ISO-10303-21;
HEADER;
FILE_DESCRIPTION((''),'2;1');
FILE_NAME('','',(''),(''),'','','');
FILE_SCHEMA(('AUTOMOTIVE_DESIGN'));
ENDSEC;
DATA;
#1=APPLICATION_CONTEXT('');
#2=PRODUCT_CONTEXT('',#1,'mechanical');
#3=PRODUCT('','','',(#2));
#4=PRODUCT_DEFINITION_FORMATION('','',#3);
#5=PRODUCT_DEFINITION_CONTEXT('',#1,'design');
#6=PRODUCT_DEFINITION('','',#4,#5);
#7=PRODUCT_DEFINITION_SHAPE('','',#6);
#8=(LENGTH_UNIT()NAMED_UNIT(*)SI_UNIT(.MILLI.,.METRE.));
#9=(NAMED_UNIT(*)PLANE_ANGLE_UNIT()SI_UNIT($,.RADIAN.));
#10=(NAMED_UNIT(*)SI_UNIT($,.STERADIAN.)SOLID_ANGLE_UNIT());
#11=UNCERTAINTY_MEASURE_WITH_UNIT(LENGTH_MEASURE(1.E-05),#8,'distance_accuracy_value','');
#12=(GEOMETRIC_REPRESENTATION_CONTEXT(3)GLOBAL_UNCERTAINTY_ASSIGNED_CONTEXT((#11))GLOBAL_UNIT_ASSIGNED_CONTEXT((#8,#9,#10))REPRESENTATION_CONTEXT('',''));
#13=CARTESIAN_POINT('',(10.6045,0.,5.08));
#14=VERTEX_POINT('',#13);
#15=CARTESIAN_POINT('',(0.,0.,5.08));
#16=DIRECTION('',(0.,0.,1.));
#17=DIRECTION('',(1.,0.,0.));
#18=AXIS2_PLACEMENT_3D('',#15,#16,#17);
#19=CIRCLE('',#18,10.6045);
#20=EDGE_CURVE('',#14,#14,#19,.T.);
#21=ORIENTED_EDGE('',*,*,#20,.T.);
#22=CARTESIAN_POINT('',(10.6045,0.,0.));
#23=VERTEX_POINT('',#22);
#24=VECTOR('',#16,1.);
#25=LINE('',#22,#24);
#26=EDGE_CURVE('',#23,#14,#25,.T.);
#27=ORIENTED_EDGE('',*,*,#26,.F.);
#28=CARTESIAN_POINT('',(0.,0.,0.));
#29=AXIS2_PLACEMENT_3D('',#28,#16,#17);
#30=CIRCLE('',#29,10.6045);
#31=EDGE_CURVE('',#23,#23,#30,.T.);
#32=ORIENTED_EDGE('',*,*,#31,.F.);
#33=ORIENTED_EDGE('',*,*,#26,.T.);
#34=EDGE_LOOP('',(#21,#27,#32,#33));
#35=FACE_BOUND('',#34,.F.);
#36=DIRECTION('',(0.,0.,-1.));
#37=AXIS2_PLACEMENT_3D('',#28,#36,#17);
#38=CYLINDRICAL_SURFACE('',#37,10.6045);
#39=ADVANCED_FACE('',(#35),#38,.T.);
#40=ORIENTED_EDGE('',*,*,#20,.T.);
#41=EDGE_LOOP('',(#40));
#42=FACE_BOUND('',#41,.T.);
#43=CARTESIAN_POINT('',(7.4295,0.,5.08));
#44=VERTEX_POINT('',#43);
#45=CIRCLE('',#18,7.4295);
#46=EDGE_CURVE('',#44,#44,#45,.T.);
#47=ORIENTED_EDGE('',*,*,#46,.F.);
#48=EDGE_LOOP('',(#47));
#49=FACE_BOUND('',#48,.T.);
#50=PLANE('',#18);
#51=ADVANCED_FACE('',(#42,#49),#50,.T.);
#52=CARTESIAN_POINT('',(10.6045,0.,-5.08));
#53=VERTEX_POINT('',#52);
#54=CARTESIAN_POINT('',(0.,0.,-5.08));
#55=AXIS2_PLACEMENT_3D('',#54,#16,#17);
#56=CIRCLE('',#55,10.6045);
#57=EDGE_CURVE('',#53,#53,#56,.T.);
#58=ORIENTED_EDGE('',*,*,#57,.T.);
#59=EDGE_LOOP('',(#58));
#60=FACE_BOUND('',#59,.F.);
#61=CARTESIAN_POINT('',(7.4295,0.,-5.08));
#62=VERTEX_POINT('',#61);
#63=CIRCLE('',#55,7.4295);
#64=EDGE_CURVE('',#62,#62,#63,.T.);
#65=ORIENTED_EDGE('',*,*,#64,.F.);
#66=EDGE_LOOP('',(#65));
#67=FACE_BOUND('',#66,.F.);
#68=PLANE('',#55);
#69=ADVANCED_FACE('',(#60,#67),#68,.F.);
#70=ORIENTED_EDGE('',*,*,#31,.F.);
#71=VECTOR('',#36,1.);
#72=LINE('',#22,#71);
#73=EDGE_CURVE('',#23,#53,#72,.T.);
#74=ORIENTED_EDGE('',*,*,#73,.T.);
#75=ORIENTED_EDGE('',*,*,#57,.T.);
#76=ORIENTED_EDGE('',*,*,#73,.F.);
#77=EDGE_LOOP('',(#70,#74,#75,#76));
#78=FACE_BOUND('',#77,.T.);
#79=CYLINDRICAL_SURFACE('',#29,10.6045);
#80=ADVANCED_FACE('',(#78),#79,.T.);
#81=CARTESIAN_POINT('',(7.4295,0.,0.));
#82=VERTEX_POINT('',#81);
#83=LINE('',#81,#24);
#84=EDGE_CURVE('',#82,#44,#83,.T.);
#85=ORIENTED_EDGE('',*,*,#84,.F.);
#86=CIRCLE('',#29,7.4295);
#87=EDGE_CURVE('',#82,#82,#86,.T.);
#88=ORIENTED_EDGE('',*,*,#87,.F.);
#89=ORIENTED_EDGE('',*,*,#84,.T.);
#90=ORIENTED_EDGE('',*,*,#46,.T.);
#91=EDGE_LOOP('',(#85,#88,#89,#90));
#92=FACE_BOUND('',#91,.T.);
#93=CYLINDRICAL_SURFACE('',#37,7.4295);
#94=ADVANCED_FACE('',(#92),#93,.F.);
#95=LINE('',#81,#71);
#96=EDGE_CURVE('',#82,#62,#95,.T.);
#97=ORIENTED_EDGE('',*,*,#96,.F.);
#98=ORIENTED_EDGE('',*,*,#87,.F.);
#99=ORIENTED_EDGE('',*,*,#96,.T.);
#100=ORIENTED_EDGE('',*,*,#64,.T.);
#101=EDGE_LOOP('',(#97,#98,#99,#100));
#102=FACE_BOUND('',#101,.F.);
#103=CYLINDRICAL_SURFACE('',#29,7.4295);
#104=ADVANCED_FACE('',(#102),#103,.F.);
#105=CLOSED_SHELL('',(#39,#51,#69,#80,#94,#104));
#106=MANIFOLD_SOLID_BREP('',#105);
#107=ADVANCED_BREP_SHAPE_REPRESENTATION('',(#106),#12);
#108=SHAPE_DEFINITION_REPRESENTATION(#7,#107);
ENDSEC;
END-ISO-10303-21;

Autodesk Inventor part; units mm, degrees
ref_plane "YZ Plane" through (0, 0, 0) normal (1, 0, 0) x (0, 1, 0)
ref_plane "XZ Plane" through (0, 0, 0) normal (0, 1, 0) x (-1, 0, 0)
ref_plane "XY Plane" through (0, 0, 0) normal (0, 0, 1) x (1, 0, 0)
sketch "Sketch1" plane through (0, 0, 0) normal (0, 0, 1) x (1, 0, 0)
  circle A0 centre (0, 0) radius 7.4295
  circle A1 centre (0, 0) radius 10.6045
  dimension "d0" = 14.859
  dimension "d1" = 3.175
extrude "Extrusion1" add sketch "Sketch1" along normal mid plane 10.16
properties part number "GP5-021" material "ABS Plastic"
